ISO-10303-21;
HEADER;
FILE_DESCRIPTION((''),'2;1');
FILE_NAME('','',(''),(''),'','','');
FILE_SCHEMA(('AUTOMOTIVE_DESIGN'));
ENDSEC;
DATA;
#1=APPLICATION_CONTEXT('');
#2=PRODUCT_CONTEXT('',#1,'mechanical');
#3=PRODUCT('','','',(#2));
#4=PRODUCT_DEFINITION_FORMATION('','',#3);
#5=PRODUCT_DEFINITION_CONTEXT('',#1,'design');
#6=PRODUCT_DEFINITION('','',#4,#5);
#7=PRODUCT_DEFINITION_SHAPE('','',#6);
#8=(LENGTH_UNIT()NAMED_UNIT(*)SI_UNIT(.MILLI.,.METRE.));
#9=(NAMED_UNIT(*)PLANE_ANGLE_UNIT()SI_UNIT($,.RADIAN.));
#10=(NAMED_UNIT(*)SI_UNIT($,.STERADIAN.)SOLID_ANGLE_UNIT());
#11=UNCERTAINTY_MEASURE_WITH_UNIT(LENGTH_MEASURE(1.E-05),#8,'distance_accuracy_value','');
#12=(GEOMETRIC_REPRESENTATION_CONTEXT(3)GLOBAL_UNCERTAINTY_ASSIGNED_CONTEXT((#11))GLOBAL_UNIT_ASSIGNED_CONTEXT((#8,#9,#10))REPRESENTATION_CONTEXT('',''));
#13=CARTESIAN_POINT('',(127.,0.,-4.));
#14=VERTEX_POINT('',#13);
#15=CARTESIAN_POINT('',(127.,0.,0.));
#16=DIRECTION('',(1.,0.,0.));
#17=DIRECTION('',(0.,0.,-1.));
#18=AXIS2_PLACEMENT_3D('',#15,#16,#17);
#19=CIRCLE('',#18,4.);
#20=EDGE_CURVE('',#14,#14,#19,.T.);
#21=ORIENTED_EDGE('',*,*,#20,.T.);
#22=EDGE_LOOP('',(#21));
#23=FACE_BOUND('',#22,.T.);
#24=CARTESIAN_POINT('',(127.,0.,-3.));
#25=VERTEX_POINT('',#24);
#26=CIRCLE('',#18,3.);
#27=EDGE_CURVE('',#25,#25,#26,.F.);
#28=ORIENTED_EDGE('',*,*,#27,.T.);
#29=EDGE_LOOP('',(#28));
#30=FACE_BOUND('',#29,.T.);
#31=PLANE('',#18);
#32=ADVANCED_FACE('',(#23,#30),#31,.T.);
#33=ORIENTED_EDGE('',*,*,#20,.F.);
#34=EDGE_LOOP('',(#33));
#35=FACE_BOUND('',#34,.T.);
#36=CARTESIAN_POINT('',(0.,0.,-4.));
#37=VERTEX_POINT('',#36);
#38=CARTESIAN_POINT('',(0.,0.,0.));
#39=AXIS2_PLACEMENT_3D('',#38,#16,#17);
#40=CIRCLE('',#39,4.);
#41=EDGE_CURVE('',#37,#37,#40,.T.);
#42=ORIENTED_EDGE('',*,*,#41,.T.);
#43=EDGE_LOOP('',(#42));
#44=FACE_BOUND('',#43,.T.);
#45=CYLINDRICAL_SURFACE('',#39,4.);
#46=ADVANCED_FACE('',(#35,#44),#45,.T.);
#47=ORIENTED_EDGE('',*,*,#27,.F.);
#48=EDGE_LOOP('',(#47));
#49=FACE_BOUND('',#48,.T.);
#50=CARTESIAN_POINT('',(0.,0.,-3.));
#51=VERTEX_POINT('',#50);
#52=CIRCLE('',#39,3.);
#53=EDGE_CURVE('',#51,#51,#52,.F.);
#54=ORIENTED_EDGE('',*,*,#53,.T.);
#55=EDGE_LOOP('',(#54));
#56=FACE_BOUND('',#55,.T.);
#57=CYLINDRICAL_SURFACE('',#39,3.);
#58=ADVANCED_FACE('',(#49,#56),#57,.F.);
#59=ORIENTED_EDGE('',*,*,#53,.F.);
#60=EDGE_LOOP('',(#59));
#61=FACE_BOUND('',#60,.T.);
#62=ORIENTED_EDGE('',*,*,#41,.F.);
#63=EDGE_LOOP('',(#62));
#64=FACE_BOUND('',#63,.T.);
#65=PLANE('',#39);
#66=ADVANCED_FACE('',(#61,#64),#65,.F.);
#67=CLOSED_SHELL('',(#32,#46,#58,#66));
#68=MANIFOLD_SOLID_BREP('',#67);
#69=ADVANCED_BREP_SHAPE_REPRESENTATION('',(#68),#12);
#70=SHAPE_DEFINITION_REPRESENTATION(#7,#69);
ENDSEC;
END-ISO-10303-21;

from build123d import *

# Parameters (mm, degrees)
SKETCH1_R   = 4
SKETCH1_R_2 = 3


with BuildPart() as part:
    # Sweep1: sweep along a curve in space
    with BuildLine() as sweep1_path:
        Line((0, 0, 0), (127, 0, 0))
    # Sketch1 → Sweep1 (sweep)
    with BuildSketch(Plane(origin=(0, 0, 0), x_dir=(0, 0, -1), z_dir=(1, 0, 0))):
        Circle(SKETCH1_R)
        Circle(SKETCH1_R_2, mode=Mode.SUBTRACT)
    sweep(path=sweep1_path.line)


solid = part.part
